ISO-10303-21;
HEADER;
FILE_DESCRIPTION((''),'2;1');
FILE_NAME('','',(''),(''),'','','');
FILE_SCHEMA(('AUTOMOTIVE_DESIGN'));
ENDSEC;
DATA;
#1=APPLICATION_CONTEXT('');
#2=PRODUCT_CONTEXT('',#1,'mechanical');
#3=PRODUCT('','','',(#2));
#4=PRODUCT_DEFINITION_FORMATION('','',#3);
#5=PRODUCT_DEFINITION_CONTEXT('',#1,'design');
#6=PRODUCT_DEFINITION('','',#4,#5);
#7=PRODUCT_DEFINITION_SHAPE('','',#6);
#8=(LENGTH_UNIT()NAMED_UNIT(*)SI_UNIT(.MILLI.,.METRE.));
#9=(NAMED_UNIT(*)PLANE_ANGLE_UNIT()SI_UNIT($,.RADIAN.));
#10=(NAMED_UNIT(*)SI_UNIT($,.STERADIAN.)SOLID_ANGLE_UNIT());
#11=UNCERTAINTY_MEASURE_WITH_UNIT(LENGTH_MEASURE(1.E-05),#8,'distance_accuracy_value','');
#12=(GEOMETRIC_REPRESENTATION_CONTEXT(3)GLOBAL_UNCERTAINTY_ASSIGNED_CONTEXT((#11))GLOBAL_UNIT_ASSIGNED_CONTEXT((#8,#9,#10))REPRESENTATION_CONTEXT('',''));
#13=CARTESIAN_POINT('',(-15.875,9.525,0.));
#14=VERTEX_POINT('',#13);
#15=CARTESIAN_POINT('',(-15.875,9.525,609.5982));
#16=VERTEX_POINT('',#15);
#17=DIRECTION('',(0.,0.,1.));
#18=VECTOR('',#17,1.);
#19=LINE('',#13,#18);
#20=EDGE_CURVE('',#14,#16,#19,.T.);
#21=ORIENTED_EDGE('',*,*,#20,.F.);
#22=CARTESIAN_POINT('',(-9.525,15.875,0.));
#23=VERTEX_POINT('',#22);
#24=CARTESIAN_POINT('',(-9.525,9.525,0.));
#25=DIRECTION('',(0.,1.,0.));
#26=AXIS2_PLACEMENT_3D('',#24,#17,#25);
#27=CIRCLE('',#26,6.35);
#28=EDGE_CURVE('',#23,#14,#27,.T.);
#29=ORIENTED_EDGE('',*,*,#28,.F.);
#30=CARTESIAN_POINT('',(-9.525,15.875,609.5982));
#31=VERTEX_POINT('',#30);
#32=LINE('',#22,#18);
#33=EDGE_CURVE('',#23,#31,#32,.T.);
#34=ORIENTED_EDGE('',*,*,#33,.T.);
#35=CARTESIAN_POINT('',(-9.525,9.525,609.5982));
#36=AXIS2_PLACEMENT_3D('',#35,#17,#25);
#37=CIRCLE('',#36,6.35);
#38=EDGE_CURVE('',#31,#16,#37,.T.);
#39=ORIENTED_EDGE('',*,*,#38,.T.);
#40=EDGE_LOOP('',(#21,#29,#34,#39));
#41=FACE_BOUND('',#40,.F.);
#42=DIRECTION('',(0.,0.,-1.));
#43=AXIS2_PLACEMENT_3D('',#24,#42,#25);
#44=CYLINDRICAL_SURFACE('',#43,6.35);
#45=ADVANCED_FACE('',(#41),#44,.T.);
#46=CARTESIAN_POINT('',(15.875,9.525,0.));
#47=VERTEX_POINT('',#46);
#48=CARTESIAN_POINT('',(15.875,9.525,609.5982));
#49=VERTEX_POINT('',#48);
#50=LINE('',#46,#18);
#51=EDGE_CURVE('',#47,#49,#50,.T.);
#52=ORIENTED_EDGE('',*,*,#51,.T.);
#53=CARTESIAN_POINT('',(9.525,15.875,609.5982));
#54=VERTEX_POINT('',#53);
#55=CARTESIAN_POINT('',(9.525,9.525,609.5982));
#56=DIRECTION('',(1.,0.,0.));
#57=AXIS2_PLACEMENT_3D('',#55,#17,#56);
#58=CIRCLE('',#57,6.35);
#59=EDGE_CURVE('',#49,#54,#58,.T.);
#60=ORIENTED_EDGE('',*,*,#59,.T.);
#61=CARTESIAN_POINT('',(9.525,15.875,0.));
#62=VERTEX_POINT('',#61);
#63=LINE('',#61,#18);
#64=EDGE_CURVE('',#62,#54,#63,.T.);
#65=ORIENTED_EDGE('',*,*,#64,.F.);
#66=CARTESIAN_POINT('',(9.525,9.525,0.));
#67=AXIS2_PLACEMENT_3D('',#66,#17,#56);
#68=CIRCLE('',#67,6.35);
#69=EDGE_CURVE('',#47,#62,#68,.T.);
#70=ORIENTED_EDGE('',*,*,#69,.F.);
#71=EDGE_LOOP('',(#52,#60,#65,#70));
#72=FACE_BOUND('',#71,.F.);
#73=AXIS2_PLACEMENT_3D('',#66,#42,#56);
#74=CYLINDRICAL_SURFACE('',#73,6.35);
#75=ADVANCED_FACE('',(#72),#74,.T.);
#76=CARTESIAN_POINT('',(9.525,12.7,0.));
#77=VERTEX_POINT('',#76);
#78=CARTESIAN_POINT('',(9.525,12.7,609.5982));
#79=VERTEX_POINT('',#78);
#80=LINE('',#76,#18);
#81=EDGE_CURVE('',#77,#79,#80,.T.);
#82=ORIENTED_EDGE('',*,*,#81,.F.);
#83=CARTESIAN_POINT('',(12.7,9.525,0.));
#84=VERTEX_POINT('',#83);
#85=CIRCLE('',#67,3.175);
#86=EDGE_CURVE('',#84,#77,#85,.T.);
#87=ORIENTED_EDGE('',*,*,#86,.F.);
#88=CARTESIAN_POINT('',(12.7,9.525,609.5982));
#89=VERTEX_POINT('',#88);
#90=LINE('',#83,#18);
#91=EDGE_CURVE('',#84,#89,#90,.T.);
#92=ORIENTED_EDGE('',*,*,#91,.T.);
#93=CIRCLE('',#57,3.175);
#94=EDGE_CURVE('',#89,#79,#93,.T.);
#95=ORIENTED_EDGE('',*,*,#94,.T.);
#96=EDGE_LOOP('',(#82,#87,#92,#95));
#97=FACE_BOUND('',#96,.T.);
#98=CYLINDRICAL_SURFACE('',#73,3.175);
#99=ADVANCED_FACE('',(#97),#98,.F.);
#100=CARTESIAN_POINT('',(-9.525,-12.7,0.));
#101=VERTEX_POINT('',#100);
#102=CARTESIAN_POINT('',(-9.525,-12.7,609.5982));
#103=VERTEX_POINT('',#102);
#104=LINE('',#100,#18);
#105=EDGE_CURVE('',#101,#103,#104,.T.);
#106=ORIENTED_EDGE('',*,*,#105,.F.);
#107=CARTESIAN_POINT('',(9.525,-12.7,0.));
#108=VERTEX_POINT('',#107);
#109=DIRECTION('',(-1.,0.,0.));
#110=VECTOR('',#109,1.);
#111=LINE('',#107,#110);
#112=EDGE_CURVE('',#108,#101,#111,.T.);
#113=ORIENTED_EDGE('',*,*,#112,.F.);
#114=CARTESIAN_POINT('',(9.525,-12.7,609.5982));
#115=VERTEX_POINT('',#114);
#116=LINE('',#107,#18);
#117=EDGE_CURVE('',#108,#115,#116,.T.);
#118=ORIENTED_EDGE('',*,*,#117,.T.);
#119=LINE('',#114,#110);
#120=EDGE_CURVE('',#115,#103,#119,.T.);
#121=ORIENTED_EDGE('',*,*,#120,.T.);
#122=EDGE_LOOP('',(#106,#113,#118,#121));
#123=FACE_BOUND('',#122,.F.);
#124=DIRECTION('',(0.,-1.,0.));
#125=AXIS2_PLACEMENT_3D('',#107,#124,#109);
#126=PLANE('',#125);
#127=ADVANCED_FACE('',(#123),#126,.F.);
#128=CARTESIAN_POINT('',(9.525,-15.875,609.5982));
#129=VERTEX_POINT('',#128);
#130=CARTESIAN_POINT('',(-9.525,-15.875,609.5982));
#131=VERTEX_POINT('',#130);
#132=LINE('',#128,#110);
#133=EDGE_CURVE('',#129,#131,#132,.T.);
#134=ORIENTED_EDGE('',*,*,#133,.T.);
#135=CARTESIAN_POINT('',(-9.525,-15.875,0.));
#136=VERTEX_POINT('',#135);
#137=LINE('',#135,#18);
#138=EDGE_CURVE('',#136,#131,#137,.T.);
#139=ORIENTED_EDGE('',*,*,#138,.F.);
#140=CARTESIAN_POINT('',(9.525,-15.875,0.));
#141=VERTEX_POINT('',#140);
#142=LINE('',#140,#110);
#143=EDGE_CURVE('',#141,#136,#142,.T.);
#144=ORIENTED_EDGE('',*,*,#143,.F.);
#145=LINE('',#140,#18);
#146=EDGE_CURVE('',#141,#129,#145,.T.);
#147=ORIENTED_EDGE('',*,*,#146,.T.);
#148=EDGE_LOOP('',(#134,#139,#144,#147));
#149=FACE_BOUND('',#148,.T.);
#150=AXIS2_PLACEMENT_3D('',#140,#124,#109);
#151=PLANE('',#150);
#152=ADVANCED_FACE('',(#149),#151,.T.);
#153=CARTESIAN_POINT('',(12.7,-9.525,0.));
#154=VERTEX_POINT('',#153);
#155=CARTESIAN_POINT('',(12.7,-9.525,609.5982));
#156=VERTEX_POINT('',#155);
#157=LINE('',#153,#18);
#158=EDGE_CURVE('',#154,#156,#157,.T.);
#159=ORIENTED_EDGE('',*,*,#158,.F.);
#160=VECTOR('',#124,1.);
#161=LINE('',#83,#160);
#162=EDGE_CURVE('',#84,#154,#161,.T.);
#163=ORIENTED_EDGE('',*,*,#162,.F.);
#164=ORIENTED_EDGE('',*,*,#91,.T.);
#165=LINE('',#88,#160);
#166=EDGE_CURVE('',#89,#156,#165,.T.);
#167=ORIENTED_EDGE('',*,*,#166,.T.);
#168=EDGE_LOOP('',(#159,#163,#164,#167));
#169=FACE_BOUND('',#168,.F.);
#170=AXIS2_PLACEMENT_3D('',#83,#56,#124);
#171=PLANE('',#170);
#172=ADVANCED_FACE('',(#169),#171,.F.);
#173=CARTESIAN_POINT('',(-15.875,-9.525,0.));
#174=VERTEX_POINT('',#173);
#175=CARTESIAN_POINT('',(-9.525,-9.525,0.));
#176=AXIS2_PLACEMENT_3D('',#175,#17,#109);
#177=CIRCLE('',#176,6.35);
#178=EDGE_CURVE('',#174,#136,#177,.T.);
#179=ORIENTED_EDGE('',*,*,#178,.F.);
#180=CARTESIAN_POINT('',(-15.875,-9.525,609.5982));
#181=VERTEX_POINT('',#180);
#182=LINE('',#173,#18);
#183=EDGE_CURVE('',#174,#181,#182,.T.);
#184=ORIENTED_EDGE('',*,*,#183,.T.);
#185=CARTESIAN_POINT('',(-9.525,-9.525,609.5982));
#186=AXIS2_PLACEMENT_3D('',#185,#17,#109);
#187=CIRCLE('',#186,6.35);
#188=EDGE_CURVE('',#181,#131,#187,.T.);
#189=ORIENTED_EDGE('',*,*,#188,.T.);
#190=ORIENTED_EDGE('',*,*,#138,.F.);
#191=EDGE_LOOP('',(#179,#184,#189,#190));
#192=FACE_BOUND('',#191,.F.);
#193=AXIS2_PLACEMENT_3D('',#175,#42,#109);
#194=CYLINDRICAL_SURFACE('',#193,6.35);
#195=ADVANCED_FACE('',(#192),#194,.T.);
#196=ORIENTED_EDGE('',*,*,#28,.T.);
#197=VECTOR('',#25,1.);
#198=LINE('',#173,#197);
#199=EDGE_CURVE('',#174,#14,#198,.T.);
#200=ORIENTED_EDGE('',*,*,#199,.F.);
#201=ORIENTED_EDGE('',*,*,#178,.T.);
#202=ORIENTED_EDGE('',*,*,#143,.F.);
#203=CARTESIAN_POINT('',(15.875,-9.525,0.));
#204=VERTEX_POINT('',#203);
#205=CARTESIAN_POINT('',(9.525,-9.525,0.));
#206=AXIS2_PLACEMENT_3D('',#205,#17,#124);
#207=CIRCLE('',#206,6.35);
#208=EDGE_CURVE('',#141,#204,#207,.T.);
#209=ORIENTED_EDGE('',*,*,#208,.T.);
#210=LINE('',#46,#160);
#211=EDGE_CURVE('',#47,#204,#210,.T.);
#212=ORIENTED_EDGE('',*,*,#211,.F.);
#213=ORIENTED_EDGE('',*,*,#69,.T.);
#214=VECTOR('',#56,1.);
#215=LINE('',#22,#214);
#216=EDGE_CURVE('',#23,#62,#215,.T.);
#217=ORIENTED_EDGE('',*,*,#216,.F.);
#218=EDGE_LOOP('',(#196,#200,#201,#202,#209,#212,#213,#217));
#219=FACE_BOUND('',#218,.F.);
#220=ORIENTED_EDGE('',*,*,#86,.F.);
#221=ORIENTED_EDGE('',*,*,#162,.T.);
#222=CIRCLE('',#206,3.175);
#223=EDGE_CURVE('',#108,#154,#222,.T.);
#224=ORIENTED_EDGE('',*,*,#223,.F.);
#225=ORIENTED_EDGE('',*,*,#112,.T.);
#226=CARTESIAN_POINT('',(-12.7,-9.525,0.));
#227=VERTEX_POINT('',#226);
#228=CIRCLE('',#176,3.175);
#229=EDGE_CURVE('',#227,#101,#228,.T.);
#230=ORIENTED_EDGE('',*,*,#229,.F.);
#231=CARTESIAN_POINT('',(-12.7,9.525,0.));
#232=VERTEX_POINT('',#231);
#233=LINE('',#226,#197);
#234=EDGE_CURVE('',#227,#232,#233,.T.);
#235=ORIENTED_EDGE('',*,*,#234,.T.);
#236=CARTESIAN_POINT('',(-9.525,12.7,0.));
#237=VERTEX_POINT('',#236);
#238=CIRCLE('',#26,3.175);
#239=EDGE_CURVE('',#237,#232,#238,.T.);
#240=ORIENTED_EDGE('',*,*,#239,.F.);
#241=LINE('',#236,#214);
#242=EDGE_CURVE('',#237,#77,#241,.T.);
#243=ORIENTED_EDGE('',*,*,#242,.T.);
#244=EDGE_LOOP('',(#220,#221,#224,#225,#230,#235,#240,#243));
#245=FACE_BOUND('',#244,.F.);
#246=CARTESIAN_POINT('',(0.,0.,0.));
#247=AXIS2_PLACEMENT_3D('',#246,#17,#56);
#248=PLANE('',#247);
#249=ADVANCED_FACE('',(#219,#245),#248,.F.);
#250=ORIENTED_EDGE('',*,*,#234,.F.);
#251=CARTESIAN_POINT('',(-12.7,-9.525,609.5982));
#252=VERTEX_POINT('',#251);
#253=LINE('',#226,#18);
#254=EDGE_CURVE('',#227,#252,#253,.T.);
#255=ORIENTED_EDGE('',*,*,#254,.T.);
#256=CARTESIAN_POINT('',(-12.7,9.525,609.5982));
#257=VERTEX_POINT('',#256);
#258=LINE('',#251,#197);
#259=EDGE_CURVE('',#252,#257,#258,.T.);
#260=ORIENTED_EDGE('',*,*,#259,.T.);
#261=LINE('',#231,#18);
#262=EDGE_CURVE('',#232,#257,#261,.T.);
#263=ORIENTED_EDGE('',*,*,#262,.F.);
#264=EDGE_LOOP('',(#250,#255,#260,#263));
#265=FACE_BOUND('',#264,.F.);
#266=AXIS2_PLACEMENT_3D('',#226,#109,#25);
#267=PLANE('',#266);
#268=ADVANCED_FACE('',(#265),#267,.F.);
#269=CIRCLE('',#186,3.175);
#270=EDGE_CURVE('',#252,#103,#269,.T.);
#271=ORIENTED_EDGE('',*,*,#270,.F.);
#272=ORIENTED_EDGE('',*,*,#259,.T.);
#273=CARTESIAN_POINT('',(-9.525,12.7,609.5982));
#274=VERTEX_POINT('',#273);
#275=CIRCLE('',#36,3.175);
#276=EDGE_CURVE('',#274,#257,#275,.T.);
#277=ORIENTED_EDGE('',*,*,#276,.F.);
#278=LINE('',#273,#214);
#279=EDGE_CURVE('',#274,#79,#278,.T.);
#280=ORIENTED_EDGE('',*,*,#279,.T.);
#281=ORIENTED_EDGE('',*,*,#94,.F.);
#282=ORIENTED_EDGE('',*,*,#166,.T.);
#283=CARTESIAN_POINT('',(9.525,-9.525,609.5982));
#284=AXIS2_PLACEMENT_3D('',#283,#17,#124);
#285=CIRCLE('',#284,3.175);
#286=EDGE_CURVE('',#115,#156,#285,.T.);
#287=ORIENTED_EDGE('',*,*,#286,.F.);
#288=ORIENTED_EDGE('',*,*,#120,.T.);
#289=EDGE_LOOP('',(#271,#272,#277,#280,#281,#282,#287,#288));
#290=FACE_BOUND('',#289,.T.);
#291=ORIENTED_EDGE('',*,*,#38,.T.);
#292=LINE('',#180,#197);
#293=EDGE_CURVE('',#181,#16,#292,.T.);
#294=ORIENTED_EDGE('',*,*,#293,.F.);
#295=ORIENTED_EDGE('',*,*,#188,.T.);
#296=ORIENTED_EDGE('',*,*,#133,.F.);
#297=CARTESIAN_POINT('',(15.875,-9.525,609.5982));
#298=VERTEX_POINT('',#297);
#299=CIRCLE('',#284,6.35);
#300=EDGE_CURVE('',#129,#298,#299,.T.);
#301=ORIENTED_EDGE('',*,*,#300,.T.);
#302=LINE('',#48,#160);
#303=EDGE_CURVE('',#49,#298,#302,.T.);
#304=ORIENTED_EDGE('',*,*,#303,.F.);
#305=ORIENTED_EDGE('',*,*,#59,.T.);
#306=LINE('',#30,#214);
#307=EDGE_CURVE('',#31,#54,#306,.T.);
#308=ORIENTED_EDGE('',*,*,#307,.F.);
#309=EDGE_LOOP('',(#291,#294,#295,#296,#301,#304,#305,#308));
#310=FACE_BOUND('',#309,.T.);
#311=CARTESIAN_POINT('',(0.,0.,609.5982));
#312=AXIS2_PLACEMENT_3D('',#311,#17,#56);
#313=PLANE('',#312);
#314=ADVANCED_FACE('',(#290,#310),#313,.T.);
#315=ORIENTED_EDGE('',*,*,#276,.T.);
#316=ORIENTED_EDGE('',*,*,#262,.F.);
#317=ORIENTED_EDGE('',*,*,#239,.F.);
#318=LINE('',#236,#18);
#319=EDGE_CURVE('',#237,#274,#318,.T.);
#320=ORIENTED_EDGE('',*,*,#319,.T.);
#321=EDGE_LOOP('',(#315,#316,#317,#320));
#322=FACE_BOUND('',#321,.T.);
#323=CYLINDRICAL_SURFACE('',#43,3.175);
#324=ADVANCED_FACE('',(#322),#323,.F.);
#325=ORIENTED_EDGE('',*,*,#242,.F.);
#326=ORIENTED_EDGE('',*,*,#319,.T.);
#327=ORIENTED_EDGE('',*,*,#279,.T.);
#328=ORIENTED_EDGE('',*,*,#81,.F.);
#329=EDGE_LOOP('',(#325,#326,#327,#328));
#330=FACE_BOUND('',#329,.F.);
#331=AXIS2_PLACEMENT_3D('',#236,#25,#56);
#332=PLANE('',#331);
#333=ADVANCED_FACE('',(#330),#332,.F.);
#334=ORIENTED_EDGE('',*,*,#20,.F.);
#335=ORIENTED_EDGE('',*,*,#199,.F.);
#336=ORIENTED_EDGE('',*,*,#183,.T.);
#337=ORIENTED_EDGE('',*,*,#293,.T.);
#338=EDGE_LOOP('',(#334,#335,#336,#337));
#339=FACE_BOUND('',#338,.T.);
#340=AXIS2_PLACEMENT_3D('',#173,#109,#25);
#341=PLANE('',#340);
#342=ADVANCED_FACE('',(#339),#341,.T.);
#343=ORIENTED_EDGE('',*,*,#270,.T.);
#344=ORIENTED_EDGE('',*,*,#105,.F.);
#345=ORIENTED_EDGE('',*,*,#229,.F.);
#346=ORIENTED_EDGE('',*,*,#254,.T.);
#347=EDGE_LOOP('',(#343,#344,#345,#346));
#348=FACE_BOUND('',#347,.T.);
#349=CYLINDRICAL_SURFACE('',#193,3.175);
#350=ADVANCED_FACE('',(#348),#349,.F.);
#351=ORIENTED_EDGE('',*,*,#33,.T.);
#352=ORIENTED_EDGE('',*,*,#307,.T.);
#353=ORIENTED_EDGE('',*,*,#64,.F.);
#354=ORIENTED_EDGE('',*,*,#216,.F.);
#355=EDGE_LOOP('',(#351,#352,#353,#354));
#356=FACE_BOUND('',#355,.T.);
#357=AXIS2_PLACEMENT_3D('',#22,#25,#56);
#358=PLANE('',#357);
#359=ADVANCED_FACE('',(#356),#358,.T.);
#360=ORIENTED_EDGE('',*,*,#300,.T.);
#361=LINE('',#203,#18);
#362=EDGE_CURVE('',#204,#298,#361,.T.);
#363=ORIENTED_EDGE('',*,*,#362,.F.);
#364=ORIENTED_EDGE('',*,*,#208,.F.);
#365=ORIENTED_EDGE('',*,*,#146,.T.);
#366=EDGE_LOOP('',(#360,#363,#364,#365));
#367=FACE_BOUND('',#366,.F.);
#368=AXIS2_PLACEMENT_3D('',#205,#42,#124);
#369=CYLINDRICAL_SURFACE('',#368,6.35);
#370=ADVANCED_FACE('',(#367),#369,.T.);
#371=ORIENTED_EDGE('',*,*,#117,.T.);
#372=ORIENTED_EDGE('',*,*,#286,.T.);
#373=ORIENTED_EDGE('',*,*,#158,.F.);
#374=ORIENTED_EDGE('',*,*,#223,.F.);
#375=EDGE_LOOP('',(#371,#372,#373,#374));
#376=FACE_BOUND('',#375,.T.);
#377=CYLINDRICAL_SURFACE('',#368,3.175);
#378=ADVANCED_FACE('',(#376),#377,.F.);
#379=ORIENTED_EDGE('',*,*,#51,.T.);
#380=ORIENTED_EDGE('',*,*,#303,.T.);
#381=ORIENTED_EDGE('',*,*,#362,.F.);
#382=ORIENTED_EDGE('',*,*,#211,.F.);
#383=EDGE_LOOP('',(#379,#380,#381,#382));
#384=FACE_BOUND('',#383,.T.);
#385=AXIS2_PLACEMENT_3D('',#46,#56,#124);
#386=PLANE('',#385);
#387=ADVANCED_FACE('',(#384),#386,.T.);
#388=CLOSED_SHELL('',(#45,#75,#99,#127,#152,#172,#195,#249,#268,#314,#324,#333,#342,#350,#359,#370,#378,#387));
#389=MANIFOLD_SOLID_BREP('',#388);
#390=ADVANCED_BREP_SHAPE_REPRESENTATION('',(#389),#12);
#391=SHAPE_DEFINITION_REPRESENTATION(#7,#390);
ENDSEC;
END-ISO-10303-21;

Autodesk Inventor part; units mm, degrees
ref_plane "YZ Plane" through (0, 0, 0) normal (1, 0, 0) x (0, 1, 0)
ref_plane "Start plane" through (0, 0, 0) normal (0, 0, 1) x (1, 0, 0)
ref_plane "End plane" through (0, 0, 609.5982) normal (0, 0, 1) x (1, 0, 0)
sketch "Sketch" plane through (0, 0, 0) normal (0, 0, 1) x (1, 0, 0)
  line L0 (-15.875, -9.525) -> (-15.875, 9.525)
  line L1 (-9.525, 15.875) -> (9.525, 15.875)
  line L2 (15.875, 9.525) -> (15.875, -9.525)
  line L3 (9.525, -15.875) -> (-9.525, -15.875)
  arc A0 (-15.875, -9.525) -> (-9.525, -15.875) centre (-9.525, -9.525) ccw
  arc A1 (-9.525, 15.875) -> (-15.875, 9.525) centre (-9.525, 9.525) ccw
  arc A2 (15.875, 9.525) -> (9.525, 15.875) centre (9.525, 9.525) ccw
  arc A3 (9.525, -15.875) -> (15.875, -9.525) centre (9.525, -9.525) ccw
  arc A4 (-9.525, 12.7) -> (-12.7, 9.525) centre (-9.525, 9.525) ccw
  line L4 (-9.525, 12.7) -> (9.525, 12.7)
  arc A5 (12.7, 9.525) -> (9.525, 12.7) centre (9.525, 9.525) ccw
  line L5 (12.7, 9.525) -> (12.7, -9.525)
  arc A6 (9.525, -12.7) -> (12.7, -9.525) centre (9.525, -9.525) ccw
  line L6 (9.525, -12.7) -> (-9.525, -12.7)
  arc A7 (-12.7, -9.525) -> (-9.525, -12.7) centre (-9.525, -9.525) ccw
  line L7 (-12.7, -9.525) -> (-12.7, 9.525)
  line L8 (0, 24.0662) -> (0, -24.0662) construction
  line L9 (-24.0662, 0) -> (24.0662, 0) construction
  dimension "d10" = 31.75
  dimension "d11" = 31.75
  dimension "d12" = 3.175
  dimension "d15" = 15.875
  dimension "d16" = 15.875
  dimension "d17" = 6.35
extrude "Body" add sketch "Sketch" along normal up to surface (609.5982 mm away) from surface at 0
sketch "Sketch3" plane through (0, 0, 0) normal (0, 0, 1) x (1, 0, 0)
  line L0 (0, 0) -> (10, 0)
ref_plane "Work Plane3" through (0, 0, 0) normal (0, -1, 0) x (1, 0, 0)
sketch "Sketch4" plane through (0, 0, 0) normal (0, -1, 0) x (1, 0, 0)
  line L0 (-2, 0) -> (12, 0)
  line L1 (-2, 609.5982) -> (12, 609.5982)
  dimension "d19" = 609.5982
equation "\"d10\" = G_H"
equation "\"d11\" = G_W"
equation "\"d12\" = G_T"
equation "\"d15\" = 0.5 * d10"
equation "\"d16\" = 0.5 * d11"
equation "\"d17\" = G_IR"
equation "\"d3\" = G_L"
equation "\"G_W\" = 31.75"
equation "\"G_H\" = 31.75"
equation "\"G_T\" = 3.175"
equation "\"G_IR\" = 6.35"
equation "\"G_L\" = d19"
equation "\"G_OFFSET_START\" = 0"
equation "\"G_OFFSET_END\" = 0"
equation "\"d14\" = G_OFFSET_END + B_L"
equation "\"B_L\" = 609.59822"
properties part number "AISC HSS - (1 1/4x1 1/4x1/8) - 24" material "Steel, Mild"
